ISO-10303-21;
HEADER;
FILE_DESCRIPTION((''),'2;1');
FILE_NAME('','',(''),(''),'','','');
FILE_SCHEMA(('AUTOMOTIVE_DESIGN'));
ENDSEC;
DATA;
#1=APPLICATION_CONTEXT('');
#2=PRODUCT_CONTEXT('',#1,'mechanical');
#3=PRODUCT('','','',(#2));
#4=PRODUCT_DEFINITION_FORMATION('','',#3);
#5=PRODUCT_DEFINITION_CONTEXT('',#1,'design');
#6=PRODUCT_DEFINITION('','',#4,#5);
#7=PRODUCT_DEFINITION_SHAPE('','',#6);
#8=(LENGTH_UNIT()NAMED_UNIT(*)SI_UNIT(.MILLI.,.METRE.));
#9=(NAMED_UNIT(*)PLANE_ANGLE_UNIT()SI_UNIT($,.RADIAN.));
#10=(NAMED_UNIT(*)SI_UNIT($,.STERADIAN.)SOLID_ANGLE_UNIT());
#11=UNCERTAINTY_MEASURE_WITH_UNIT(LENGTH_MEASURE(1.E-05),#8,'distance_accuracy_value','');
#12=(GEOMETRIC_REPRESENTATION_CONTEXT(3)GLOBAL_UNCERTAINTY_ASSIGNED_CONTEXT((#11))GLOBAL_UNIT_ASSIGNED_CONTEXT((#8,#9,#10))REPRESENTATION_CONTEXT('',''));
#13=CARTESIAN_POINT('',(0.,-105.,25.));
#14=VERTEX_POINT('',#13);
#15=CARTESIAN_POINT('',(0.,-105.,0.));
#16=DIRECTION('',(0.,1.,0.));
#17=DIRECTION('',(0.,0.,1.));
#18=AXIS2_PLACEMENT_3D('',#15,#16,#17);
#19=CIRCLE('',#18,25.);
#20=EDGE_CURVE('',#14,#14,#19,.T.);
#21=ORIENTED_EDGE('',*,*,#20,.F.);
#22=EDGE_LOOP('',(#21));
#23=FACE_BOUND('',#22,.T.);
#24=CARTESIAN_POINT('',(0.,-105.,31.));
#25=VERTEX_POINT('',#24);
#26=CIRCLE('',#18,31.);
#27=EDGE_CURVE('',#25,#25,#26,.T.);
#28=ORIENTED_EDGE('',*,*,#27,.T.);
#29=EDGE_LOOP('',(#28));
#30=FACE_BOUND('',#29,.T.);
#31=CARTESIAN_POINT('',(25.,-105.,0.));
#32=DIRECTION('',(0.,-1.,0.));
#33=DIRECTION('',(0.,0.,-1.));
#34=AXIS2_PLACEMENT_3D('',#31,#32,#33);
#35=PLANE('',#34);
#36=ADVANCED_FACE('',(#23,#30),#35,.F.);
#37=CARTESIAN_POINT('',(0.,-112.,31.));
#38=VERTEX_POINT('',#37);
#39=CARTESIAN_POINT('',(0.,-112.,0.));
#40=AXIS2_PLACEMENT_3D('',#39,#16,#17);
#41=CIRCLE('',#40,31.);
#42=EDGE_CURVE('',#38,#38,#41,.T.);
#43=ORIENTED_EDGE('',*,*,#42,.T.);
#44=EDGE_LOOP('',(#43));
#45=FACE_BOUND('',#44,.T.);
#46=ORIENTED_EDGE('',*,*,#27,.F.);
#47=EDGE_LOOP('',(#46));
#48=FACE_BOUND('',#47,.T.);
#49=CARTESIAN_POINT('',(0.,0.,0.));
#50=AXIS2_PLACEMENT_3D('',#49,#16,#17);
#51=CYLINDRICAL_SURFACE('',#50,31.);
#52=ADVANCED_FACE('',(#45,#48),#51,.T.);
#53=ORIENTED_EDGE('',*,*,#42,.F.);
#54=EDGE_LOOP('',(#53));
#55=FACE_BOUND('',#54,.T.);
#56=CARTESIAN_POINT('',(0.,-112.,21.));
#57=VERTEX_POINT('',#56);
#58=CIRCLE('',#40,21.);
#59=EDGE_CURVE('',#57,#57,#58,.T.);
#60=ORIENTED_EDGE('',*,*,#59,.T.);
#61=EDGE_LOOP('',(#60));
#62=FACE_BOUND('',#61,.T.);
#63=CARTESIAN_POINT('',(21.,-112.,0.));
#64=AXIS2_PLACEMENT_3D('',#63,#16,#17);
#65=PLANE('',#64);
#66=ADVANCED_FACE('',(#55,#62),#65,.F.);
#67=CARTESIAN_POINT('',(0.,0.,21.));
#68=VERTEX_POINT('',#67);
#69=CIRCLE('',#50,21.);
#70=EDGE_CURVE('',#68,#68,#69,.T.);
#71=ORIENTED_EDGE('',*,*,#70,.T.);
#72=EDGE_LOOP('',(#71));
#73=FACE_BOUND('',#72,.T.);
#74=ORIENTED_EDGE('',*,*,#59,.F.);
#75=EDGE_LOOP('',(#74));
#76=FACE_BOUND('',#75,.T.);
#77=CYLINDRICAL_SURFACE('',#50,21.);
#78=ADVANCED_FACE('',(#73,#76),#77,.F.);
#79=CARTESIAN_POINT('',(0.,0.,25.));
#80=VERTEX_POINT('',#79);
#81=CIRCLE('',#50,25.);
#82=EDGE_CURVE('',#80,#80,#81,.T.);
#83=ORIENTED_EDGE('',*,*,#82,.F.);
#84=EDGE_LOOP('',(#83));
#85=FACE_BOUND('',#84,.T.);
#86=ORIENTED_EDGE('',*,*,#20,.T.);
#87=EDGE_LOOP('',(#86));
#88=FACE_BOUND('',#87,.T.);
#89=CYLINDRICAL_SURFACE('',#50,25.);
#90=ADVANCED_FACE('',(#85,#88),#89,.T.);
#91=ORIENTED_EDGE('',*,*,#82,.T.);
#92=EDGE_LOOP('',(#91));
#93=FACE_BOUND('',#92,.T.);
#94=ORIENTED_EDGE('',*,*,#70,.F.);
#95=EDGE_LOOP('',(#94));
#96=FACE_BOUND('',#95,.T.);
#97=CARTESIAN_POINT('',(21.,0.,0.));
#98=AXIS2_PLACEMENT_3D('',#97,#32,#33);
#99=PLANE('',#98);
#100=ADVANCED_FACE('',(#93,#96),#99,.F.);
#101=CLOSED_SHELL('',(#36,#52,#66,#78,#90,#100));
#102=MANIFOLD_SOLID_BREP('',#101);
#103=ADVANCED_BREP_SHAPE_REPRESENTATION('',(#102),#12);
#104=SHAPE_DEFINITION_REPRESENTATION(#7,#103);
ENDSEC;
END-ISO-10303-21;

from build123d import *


with BuildPart() as part:
    # Sketch1 → Revolve1 (revolve)
    with BuildSketch(Plane.XY, mode=Mode.PRIVATE) as revolve1_sk:
        Polygon((21, 0), (25, 0), (25, -105), (31, -105), (31, -112), (21, -112), align=None)
    revolve(revolve1_sk.sketch.rotate(Axis((0, 0, 0), (0, -1, 0)), 90), axis=Axis((0, 0, 0), (0, -1, 0)))  # turned: the seam where the file's is


solid = part.part
